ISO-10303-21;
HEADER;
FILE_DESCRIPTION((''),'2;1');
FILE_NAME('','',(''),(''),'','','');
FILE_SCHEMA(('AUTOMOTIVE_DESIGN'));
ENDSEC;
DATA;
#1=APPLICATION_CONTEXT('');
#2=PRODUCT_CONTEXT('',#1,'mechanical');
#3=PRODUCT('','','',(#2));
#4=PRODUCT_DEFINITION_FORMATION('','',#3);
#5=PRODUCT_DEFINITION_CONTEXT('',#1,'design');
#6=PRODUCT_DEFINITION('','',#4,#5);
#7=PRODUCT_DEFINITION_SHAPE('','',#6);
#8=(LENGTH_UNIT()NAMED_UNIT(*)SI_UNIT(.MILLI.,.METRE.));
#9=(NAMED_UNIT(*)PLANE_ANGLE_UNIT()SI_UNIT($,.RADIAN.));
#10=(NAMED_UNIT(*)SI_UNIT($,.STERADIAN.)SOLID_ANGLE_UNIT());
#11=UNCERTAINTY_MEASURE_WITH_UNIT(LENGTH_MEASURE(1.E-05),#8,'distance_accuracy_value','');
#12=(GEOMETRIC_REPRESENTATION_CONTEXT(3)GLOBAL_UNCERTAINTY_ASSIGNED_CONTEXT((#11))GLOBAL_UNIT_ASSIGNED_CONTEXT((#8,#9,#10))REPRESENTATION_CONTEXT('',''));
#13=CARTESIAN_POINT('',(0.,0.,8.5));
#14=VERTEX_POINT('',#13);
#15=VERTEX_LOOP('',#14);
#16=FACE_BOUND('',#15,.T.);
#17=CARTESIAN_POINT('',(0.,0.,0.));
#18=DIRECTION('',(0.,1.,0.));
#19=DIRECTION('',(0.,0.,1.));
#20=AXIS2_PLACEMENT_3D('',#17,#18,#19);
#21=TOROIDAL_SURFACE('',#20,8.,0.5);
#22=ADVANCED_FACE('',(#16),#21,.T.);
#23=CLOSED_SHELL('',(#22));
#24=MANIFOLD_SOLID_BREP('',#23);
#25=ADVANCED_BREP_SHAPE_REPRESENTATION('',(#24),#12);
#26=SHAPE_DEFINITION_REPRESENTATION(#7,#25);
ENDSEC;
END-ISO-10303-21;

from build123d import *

# Parameters (mm, degrees)
SKETCH1_R = 0.5


with BuildPart() as part:
    # Sketch1 → Revolve1 (revolve)
    with BuildSketch(Plane(origin=(0, 0, 0), x_dir=(0, 0, -1), z_dir=(1, 0, 0))):
        with Locations((-8, 0)):
            Circle(SKETCH1_R)
    revolve(axis=Axis((0, 6.337751582, 0), (0, -1, 0)))


solid = part.part
